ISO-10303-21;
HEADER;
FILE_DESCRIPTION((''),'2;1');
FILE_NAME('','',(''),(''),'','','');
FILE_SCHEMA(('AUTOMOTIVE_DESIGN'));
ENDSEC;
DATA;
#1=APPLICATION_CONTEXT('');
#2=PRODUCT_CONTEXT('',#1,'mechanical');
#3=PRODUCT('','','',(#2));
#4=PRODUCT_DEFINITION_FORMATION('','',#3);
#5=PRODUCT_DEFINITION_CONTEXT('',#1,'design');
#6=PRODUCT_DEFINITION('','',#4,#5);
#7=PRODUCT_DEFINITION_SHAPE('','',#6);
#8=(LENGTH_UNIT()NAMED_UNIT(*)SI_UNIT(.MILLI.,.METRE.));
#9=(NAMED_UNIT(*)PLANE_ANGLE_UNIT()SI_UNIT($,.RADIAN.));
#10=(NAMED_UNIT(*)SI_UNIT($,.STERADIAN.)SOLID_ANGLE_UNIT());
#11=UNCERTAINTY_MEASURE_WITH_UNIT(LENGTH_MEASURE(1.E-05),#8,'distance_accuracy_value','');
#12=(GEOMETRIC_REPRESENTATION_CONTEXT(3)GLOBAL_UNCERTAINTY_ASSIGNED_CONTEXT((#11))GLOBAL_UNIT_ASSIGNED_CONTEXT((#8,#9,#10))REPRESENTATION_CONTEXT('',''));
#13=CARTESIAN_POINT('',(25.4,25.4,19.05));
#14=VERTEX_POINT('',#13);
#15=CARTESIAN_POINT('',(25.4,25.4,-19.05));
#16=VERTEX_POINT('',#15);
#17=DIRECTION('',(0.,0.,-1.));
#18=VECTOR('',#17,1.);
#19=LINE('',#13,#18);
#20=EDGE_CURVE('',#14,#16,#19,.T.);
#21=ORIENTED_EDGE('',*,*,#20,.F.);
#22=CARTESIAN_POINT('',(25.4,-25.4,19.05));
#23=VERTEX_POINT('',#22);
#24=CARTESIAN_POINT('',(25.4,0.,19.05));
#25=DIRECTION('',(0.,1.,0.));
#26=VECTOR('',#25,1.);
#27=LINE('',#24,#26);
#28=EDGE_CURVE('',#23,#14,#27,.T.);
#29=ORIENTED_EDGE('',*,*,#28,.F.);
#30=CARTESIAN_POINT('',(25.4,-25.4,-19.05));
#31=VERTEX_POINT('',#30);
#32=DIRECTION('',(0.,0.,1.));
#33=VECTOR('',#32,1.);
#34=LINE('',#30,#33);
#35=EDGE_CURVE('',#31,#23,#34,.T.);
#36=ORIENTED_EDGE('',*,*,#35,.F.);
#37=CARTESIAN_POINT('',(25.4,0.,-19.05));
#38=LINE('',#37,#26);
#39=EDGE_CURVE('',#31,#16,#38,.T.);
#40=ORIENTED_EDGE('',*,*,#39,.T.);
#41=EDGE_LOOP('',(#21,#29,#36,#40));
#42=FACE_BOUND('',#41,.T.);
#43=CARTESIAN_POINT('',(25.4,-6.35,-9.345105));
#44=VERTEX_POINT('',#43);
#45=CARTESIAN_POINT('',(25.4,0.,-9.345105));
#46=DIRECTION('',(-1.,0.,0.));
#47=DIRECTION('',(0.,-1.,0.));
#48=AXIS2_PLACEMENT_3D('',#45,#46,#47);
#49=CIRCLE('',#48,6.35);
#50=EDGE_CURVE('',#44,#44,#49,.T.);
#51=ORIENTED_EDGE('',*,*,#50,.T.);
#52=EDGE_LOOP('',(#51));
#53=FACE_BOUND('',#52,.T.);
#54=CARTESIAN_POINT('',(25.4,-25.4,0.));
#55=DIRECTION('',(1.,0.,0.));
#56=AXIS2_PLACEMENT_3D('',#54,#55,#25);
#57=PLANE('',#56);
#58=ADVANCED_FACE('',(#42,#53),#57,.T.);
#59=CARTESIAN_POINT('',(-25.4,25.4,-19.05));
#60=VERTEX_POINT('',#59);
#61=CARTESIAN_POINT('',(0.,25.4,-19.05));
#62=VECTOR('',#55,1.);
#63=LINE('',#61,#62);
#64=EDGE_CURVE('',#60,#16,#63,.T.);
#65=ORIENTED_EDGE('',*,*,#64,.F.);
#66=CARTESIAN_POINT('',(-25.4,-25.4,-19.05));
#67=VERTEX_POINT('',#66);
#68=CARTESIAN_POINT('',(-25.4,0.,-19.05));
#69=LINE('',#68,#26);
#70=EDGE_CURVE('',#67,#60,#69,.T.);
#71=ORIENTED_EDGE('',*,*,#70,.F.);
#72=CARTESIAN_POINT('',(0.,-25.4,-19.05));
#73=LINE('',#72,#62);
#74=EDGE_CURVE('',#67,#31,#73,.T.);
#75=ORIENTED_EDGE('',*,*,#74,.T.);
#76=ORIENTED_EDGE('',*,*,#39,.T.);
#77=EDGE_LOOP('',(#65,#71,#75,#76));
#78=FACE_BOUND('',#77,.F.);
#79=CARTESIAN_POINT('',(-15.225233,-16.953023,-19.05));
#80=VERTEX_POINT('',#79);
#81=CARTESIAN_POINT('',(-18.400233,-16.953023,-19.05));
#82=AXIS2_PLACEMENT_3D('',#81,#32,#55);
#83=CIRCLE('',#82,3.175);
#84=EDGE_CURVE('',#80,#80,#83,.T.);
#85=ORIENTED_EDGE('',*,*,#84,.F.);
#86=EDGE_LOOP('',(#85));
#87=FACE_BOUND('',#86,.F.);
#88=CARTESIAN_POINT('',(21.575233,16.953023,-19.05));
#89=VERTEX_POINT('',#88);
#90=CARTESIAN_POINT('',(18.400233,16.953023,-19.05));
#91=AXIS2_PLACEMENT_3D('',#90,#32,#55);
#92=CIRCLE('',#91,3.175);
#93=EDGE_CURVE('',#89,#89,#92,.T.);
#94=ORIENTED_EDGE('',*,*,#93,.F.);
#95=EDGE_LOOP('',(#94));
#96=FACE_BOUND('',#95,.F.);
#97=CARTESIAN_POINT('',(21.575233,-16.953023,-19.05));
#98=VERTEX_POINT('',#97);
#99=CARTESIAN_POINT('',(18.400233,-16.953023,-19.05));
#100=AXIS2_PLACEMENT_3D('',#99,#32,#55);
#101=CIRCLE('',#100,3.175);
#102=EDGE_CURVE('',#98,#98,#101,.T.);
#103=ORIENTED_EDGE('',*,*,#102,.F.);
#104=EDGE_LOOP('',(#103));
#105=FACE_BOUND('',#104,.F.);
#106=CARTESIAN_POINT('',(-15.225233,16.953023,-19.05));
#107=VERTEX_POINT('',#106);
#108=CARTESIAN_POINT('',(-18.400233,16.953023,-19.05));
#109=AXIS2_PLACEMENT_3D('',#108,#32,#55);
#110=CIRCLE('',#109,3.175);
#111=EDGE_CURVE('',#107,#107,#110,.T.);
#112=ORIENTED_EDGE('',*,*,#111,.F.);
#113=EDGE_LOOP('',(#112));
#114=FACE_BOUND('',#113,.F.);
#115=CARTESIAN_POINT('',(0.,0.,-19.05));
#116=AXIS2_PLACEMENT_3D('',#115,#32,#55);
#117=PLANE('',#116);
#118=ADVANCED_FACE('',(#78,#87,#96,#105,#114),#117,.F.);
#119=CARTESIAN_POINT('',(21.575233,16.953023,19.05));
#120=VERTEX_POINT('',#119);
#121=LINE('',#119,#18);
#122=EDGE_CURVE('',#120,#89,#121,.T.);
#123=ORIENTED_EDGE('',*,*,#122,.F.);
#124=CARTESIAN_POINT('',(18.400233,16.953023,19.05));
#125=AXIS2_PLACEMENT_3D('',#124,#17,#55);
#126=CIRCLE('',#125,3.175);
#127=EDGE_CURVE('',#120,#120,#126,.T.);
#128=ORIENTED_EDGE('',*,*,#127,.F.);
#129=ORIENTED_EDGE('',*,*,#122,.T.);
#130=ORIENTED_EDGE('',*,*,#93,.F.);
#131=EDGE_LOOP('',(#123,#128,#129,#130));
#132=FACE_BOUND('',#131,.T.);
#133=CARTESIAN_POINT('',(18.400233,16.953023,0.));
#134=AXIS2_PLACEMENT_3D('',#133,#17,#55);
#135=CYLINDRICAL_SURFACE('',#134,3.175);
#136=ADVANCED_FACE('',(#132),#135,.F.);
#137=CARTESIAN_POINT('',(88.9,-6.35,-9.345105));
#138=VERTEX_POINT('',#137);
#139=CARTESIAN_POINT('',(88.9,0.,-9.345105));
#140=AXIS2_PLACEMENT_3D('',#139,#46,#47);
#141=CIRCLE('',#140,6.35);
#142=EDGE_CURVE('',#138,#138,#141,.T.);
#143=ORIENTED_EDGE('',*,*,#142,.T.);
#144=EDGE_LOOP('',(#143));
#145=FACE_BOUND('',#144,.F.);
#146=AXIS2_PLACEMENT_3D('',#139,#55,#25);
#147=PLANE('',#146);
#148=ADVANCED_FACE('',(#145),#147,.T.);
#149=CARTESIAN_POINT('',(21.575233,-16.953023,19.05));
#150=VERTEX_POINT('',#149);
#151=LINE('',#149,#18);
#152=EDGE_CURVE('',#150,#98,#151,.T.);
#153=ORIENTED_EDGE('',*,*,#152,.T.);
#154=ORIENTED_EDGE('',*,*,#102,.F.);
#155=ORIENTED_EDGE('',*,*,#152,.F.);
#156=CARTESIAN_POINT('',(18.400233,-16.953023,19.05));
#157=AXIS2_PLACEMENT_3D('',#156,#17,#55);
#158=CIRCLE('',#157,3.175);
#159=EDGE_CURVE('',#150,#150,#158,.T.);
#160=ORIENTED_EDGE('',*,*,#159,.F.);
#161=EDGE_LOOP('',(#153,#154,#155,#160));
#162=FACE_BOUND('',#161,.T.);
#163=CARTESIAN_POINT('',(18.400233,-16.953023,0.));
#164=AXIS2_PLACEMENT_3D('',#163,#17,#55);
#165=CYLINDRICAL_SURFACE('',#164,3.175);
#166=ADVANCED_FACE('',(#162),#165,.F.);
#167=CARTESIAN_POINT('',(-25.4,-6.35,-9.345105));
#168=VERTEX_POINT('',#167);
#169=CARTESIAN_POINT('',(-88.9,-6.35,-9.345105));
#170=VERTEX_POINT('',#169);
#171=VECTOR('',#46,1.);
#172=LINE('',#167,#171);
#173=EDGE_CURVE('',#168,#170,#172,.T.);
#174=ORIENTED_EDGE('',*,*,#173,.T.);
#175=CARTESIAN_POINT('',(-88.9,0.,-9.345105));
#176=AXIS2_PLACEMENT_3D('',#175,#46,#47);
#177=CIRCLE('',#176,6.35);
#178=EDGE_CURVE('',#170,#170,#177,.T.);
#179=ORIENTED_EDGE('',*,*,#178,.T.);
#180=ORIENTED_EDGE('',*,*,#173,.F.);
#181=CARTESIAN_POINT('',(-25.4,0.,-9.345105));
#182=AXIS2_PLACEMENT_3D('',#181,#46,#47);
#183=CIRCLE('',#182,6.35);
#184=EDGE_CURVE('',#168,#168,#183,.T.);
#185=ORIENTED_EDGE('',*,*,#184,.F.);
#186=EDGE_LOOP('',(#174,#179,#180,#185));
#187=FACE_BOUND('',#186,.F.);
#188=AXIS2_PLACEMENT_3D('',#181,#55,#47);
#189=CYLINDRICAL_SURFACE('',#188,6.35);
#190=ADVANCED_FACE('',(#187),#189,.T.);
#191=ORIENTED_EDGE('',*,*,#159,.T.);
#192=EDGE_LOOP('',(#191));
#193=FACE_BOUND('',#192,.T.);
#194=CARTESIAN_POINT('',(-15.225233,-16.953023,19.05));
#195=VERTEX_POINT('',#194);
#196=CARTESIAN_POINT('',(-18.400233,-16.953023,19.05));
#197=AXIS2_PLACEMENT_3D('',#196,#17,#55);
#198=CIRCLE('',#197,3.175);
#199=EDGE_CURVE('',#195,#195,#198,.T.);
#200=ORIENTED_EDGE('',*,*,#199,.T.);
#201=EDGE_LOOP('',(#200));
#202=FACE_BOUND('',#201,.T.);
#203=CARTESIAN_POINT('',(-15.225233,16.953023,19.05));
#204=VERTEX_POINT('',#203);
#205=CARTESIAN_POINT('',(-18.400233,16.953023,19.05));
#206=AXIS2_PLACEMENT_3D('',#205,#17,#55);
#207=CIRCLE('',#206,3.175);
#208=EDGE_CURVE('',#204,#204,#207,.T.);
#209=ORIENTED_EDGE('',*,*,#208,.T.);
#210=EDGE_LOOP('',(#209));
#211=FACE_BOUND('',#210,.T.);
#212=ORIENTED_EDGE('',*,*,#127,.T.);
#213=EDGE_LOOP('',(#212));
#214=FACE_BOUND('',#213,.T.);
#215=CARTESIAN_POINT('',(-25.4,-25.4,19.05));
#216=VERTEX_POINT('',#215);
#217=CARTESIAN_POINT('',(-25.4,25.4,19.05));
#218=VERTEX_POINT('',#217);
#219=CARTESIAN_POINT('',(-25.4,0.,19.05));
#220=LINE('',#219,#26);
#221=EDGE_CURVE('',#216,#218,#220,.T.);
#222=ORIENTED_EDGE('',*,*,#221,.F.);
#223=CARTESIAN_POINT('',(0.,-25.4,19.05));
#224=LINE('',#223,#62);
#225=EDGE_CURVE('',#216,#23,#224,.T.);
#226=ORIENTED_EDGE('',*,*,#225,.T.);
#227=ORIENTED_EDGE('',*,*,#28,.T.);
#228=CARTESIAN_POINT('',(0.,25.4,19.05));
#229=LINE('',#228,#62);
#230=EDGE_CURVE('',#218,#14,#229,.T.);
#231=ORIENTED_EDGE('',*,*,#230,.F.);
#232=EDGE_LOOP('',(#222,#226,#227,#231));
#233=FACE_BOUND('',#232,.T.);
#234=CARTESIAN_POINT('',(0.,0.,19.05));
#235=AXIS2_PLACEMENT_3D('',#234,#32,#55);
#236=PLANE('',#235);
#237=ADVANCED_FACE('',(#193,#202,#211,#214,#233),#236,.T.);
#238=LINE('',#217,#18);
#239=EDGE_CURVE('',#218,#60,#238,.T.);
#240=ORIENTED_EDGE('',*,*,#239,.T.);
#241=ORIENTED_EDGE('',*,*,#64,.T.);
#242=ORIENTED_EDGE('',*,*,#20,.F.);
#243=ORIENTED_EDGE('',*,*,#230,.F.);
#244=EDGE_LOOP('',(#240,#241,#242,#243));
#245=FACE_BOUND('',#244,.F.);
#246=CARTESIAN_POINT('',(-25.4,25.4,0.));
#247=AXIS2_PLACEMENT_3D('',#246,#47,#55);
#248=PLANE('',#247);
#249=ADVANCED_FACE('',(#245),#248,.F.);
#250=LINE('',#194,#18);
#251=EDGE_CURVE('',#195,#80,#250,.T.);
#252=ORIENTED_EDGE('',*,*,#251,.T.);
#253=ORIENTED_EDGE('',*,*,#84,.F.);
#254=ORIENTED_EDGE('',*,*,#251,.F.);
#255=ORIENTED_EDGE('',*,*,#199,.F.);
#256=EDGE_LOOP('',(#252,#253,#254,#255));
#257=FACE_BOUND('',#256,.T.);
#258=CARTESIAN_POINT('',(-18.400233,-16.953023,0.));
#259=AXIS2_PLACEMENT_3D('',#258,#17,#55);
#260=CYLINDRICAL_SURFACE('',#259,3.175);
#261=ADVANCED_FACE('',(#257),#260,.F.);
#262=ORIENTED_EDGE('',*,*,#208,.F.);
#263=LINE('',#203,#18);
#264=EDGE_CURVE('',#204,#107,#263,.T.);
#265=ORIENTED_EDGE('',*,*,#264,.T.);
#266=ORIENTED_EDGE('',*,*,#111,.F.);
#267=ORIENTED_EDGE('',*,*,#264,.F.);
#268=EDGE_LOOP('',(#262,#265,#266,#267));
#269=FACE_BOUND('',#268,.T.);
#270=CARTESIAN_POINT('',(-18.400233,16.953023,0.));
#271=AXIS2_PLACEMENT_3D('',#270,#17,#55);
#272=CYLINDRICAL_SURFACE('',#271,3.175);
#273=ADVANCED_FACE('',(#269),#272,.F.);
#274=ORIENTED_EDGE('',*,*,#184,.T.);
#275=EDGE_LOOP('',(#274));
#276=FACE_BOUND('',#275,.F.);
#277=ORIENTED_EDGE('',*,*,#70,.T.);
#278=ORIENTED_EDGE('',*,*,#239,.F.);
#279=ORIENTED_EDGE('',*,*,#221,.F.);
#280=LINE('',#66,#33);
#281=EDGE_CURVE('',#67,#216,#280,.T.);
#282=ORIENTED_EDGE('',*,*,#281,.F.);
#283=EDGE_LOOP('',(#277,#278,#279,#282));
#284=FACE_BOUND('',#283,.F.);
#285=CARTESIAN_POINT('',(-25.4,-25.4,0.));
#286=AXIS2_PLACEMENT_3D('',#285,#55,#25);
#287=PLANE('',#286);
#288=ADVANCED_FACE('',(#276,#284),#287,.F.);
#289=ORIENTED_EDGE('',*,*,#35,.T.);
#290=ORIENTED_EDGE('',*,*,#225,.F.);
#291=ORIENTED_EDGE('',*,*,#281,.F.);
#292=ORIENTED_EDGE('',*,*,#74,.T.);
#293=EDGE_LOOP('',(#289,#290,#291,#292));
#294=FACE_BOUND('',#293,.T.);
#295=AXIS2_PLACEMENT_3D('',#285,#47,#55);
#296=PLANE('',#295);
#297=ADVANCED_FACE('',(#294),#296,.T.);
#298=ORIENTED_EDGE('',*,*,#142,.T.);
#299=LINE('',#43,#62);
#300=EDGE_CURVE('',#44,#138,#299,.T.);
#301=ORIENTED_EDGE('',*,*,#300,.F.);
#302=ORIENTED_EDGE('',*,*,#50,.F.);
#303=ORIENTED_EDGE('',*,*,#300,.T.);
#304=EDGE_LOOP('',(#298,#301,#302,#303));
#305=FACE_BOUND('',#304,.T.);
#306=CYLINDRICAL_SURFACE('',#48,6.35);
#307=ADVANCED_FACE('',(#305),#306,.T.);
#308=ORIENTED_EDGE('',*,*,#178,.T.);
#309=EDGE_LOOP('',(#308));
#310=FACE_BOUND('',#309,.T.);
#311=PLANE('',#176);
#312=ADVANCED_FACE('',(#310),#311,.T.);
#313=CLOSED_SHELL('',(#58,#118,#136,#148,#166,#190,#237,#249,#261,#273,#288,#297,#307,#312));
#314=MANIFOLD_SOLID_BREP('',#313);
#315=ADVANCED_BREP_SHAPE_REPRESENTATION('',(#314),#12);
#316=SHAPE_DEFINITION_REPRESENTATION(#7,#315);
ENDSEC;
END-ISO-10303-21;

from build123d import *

# Parameters (mm, degrees)
F0_W     = 50.8
F0_H     = 50.8
F0_R     = 3.175
F1_DEPTH = 19.05
F2_R     = 6.35
F3_DEPTH = 63.5


with BuildPart() as f1:
    # F0 (on Top) → F1 (new body, symmetric)
    with BuildSketch(Plane.XY):
        Rectangle(F0_W, F0_H)
        with Locations((-18.400233, -16.953023)):
            Circle(F0_R, mode=Mode.SUBTRACT)
        with Locations((18.400233, -16.953023)):
            Circle(F0_R, mode=Mode.SUBTRACT)
        with Locations((-18.400233, 16.953023)):
            Circle(F0_R, mode=Mode.SUBTRACT)
        with Locations((18.400233, 16.953023)):
            Circle(F0_R, mode=Mode.SUBTRACT)
    extrude(amount=F1_DEPTH, both=True)

    # F2 (on face) → F3 (join)
    with BuildSketch(Plane(origin=(-25.4, 0, 0), x_dir=(0, -1, 0), z_dir=(-1, 0, 0))):
        with Locations((0, -9.345105)):
            Circle(F2_R)
    extrude(amount=F3_DEPTH)

    # F4: F1 across plane


with BuildPart() as f1_1:
    add(f1.part)
    add(f1.part.mirror(Plane.YZ))


solid = f1_1.part
